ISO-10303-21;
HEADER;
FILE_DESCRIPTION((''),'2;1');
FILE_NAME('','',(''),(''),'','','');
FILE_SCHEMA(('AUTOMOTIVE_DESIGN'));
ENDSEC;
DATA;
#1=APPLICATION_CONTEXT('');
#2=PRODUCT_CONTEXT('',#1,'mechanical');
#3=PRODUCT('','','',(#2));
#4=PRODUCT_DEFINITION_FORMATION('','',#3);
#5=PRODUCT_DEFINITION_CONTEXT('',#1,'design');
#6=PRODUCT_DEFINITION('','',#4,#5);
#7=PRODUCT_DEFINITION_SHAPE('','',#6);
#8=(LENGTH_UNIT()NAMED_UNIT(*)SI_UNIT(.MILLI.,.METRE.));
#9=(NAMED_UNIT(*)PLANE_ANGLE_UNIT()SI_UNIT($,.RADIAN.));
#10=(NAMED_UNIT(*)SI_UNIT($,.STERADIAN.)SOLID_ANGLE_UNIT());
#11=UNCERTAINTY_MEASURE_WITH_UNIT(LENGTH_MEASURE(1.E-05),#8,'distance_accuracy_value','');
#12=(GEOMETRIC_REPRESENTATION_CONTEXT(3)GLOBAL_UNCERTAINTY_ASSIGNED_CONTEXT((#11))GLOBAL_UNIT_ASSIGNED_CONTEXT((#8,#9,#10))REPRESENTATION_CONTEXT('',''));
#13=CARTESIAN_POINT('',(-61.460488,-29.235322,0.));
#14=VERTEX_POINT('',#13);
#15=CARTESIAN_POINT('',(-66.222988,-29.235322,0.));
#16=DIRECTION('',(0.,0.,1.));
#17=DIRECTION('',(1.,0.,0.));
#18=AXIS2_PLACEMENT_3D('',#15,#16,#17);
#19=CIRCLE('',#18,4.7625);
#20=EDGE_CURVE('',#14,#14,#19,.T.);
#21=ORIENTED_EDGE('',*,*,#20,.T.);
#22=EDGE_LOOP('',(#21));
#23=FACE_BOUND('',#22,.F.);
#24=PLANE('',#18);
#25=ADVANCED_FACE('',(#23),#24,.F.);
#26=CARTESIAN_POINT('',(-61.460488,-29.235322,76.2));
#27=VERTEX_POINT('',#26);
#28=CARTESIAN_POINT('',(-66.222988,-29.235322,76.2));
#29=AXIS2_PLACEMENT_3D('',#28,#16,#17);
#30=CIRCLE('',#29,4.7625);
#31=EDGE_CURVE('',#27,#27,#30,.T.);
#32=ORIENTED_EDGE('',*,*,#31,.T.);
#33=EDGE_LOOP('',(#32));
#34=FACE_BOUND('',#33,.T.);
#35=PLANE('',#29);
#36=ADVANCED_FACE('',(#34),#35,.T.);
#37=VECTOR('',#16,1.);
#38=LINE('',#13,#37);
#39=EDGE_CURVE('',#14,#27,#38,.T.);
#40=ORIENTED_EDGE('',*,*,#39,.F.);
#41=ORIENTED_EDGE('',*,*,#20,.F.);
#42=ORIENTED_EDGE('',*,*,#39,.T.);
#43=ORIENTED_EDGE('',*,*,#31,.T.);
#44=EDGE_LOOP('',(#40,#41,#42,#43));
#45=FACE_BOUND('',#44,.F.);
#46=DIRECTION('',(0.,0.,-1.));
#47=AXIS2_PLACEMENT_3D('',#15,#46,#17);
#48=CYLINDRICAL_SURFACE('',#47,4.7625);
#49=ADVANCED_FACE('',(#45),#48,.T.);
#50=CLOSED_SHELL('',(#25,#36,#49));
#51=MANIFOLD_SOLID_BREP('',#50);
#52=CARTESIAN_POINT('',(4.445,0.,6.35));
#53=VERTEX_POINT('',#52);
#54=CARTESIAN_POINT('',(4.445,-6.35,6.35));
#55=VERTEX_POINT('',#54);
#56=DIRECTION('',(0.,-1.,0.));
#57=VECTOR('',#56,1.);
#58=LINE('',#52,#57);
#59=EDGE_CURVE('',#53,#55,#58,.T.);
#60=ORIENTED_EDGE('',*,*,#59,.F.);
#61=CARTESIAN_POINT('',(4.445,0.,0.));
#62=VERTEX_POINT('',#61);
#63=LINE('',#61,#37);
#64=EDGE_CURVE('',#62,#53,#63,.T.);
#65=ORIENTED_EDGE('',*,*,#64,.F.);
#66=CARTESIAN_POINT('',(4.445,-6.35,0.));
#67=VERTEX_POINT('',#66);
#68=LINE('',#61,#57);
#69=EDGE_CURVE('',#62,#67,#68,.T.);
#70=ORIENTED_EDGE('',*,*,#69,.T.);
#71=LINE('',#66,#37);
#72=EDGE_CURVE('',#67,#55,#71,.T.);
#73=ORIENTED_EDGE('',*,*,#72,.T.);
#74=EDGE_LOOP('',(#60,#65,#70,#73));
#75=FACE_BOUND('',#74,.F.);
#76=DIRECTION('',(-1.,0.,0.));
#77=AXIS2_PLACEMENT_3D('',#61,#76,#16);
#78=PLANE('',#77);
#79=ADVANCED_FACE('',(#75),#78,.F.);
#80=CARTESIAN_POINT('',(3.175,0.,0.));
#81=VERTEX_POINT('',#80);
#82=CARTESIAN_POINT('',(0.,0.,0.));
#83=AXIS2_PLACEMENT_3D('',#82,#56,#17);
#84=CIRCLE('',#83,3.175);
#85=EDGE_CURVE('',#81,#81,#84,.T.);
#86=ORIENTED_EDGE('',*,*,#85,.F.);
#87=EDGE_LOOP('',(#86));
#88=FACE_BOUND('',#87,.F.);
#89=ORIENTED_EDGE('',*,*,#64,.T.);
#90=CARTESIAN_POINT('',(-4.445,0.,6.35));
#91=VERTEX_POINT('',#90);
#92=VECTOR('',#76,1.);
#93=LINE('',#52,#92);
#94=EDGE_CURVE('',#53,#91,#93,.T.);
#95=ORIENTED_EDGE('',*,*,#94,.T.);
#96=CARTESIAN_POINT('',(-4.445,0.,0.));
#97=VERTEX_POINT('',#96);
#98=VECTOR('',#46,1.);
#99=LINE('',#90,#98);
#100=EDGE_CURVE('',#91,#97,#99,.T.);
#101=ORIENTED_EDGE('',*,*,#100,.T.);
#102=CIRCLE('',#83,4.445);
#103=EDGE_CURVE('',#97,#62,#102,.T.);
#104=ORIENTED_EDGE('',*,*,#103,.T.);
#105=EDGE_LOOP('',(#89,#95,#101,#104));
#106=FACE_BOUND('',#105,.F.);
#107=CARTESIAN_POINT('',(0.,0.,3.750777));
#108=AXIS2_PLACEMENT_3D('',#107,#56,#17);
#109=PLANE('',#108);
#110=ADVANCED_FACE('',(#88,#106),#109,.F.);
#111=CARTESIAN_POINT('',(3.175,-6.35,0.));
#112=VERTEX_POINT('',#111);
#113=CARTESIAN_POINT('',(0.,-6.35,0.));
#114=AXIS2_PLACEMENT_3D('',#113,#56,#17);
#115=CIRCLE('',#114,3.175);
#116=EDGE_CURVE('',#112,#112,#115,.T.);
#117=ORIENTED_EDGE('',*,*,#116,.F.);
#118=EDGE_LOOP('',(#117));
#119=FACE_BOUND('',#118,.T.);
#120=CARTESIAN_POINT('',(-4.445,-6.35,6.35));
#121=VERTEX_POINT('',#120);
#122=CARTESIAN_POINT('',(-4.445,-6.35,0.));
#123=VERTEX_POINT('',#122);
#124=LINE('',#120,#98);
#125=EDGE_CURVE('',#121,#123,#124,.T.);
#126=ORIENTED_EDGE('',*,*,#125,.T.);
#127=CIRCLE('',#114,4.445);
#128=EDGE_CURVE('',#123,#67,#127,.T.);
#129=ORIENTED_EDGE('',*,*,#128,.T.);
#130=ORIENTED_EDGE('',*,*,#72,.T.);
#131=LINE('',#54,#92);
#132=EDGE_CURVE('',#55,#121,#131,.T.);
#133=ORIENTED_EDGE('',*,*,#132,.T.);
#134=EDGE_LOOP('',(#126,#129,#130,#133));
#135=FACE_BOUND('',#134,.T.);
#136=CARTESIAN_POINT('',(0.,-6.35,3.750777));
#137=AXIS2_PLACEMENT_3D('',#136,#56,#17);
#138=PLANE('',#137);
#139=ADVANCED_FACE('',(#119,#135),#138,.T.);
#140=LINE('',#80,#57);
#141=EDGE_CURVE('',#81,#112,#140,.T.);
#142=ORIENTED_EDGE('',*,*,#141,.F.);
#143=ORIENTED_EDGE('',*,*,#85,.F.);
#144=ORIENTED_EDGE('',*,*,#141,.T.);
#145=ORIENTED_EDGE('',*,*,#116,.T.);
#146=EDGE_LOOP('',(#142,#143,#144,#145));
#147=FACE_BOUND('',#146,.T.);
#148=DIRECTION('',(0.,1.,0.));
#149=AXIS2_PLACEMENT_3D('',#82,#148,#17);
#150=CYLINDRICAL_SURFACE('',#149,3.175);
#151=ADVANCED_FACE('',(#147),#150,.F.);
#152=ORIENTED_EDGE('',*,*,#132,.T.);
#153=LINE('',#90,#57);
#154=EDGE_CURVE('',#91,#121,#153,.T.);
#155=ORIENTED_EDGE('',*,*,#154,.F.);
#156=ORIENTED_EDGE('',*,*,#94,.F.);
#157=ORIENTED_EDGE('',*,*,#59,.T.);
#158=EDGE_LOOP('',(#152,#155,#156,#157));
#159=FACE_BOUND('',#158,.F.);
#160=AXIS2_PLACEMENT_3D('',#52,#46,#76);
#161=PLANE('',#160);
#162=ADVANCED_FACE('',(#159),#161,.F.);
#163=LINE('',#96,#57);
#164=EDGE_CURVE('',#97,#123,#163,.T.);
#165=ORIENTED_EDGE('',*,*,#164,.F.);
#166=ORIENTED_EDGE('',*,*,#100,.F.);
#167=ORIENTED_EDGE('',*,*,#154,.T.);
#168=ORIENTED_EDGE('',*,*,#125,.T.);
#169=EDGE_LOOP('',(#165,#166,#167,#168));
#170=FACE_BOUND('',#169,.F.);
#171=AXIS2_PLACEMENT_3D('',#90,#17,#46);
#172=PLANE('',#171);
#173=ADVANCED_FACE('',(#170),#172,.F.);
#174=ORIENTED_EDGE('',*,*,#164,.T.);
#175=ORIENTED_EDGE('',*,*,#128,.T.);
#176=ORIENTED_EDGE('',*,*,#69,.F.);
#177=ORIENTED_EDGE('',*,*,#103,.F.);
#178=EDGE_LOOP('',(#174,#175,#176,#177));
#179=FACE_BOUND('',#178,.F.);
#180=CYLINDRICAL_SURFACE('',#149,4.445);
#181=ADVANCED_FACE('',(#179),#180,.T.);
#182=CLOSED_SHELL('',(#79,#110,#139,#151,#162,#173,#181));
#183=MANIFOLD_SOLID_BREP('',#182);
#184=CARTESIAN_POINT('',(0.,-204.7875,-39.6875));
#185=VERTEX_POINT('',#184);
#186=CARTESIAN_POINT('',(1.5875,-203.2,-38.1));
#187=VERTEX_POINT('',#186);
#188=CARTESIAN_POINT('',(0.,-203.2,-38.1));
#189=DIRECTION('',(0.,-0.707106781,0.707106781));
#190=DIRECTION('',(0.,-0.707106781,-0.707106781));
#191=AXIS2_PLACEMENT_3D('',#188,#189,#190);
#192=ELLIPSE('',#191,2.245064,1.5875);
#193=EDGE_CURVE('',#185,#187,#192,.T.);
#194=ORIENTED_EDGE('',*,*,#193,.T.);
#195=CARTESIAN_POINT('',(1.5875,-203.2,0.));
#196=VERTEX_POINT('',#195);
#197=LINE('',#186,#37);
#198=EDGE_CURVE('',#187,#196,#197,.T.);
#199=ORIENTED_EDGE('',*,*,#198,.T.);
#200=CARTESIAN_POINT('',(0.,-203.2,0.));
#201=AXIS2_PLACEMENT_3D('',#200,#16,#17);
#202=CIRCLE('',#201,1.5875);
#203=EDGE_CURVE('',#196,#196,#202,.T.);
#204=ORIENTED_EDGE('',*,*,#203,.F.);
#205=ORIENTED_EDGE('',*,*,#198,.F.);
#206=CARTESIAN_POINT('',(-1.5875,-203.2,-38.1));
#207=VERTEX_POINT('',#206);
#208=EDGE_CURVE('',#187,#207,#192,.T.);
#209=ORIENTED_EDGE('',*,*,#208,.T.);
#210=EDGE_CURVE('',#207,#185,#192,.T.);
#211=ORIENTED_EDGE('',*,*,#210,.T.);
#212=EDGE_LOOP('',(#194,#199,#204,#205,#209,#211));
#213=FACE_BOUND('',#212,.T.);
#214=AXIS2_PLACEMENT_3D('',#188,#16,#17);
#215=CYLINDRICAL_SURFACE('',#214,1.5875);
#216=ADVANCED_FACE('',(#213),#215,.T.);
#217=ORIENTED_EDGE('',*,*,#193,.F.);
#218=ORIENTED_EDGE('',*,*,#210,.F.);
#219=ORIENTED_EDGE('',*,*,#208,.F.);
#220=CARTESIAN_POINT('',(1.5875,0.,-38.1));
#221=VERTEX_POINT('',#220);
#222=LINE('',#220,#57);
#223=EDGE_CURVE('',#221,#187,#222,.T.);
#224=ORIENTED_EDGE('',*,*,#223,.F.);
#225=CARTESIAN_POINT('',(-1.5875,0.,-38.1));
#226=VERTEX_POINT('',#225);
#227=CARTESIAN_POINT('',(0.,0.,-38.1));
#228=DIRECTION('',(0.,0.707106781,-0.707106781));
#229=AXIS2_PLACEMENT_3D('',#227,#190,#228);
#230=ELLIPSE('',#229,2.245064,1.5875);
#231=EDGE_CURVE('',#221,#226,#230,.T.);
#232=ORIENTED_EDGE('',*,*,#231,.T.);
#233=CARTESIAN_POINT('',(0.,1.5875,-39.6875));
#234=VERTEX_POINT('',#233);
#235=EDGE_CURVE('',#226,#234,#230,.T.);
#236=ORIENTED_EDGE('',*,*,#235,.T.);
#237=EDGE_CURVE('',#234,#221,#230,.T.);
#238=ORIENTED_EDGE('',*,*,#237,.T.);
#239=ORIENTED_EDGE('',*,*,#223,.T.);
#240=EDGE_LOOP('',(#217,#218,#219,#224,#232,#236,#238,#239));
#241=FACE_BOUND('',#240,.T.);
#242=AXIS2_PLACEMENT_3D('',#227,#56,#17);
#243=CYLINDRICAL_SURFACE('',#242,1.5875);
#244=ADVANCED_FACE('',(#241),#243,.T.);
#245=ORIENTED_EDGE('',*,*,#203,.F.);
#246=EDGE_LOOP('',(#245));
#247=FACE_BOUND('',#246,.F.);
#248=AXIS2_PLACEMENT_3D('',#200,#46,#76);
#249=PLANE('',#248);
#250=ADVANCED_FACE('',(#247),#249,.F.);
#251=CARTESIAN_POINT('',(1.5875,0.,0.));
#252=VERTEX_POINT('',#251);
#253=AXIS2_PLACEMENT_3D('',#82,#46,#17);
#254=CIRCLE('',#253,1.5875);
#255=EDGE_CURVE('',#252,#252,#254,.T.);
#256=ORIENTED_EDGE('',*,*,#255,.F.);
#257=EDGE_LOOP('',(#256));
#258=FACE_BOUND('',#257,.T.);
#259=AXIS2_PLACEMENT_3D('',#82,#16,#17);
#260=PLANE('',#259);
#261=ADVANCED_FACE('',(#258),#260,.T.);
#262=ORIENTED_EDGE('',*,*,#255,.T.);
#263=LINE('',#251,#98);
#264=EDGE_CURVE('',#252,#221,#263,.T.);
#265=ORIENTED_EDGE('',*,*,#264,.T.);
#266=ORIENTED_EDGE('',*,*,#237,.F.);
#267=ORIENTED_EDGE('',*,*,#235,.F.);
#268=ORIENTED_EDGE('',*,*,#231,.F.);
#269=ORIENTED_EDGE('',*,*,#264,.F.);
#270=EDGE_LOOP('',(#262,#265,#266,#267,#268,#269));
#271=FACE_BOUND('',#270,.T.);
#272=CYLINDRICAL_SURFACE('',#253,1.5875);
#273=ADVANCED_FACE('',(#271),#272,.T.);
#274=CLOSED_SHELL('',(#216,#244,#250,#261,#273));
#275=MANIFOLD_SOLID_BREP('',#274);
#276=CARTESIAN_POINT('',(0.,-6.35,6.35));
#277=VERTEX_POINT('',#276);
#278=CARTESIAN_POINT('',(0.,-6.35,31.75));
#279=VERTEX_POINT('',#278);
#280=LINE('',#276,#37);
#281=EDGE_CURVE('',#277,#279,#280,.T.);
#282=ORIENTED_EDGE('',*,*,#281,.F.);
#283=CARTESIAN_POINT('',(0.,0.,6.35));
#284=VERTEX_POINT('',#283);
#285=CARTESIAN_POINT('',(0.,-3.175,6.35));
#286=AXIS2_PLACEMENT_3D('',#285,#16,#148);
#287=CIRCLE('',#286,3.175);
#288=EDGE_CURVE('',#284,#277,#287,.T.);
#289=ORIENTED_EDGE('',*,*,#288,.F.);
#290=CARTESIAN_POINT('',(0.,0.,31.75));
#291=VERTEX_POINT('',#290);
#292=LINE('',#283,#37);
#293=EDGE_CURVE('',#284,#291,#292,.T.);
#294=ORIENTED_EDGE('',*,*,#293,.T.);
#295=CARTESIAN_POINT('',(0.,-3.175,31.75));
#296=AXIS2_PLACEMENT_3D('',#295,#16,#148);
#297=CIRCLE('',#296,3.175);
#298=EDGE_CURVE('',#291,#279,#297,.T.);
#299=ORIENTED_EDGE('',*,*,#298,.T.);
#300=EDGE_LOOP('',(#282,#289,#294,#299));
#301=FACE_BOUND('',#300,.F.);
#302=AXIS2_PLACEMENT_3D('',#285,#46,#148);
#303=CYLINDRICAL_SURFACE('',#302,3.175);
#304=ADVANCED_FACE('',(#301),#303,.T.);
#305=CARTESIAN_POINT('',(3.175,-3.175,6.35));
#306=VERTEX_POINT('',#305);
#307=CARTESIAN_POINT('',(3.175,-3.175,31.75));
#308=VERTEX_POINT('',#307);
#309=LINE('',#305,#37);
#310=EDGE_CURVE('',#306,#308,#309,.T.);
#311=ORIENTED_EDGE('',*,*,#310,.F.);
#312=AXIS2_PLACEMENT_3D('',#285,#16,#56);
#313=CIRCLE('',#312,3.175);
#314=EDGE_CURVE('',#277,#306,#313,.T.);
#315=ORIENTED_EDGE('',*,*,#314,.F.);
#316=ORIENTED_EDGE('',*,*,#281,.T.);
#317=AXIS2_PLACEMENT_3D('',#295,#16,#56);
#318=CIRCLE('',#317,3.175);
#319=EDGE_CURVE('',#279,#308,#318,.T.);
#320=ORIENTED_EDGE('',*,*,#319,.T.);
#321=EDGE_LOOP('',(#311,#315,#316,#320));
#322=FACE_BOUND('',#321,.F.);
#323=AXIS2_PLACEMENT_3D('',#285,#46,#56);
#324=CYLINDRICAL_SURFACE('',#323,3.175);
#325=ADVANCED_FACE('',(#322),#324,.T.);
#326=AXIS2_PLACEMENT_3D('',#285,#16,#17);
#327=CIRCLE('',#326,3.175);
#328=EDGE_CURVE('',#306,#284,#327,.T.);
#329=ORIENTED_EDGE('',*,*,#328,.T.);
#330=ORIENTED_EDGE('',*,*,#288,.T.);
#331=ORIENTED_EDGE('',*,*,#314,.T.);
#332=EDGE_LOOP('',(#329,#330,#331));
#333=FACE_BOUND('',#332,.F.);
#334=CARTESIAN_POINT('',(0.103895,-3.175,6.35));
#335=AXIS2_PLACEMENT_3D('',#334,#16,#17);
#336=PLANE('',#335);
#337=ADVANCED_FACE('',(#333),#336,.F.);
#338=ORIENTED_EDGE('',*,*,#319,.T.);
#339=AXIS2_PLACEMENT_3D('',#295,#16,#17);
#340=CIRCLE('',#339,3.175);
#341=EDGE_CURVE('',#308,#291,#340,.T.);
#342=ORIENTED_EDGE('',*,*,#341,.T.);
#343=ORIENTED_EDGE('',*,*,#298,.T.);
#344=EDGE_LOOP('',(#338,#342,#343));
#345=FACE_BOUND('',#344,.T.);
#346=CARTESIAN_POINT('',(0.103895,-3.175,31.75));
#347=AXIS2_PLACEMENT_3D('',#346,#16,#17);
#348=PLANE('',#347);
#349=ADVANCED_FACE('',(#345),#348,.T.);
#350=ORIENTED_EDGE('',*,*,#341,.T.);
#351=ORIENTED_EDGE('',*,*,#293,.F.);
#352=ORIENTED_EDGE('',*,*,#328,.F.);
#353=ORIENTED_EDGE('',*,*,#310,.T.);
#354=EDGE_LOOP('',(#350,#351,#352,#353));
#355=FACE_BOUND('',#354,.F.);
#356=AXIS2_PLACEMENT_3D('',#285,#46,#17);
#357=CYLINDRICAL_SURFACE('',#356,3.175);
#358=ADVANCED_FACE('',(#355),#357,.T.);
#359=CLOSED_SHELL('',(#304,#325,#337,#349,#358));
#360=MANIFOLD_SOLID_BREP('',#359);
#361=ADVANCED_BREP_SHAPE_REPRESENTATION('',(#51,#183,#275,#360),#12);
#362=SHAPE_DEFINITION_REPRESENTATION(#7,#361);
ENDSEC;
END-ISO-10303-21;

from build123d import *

# Parameters (mm, degrees)
F0_R     = 3.175
F1_DEPTH = 6.35
F3_DEPTH = 25.4
F5_R     = 1.5875
F7_R     = 4.7625
F8_DEPTH = 76.2


with BuildPart() as f1:
    # F0 (on Front) → F1 (new body)
    with BuildSketch(Plane.XZ):
        with BuildLine():
            ThreePointArc((-4.445, 0), (0, 4.445), (4.445, 0))
            Line((4.445, 0), (4.445, 6.35))
            Line((4.445, 6.35), (-4.445, 6.35))
            Line((-4.445, 6.35), (-4.445, 0))
        make_face()
        with BuildLine():
            ThreePointArc((-4.445, 0), (0, -4.445), (4.445, 0))
            ThreePointArc((4.445, 0), (0, 4.445), (-4.445, 0))
        make_face()
        Circle(F0_R, mode=Mode.SUBTRACT)
    extrude(amount=F1_DEPTH)


with BuildPart() as f3:
    # F2 (on face) → F3 (new body)
    with BuildSketch(Plane.XY.offset(6.35)):
        with BuildLine():
            ThreePointArc((0, -6.35), (2.2450640303, -5.4200640303), (3.175, -3.175))
            ThreePointArc((3.175, -3.175), (2.2450640303, -0.9299359697), (0, 0))
            ThreePointArc((0, 0), (-3.175, -3.175), (0, -6.35))
        make_face()
    extrude(amount=F3_DEPTH)


with BuildPart() as f6:
    # F6: sweep along a path in F4
    with BuildLine(Plane.YZ) as f6_path:
        Line((0, 0), (0, -38.1))
        Line((0, -38.1), (-203.2, -38.1))
        Line((-203.2, -38.1), (-203.2, 0))
    # F5 (on Top) → F6 (sweep)
    with BuildSketch(Plane.XY):
        Circle(F5_R)
    sweep(path=f6_path.line, transition=Transition.RIGHT)


with BuildPart() as f8:
    # F7 (on Top) → F8 (new body)
    with BuildSketch(Plane.XY):
        with Locations((-66.2229880691, -29.2353220284)):
            Circle(F7_R)
    extrude(amount=F8_DEPTH)


solid = Compound([f1.part, f3.part, f6.part, f8.part])
